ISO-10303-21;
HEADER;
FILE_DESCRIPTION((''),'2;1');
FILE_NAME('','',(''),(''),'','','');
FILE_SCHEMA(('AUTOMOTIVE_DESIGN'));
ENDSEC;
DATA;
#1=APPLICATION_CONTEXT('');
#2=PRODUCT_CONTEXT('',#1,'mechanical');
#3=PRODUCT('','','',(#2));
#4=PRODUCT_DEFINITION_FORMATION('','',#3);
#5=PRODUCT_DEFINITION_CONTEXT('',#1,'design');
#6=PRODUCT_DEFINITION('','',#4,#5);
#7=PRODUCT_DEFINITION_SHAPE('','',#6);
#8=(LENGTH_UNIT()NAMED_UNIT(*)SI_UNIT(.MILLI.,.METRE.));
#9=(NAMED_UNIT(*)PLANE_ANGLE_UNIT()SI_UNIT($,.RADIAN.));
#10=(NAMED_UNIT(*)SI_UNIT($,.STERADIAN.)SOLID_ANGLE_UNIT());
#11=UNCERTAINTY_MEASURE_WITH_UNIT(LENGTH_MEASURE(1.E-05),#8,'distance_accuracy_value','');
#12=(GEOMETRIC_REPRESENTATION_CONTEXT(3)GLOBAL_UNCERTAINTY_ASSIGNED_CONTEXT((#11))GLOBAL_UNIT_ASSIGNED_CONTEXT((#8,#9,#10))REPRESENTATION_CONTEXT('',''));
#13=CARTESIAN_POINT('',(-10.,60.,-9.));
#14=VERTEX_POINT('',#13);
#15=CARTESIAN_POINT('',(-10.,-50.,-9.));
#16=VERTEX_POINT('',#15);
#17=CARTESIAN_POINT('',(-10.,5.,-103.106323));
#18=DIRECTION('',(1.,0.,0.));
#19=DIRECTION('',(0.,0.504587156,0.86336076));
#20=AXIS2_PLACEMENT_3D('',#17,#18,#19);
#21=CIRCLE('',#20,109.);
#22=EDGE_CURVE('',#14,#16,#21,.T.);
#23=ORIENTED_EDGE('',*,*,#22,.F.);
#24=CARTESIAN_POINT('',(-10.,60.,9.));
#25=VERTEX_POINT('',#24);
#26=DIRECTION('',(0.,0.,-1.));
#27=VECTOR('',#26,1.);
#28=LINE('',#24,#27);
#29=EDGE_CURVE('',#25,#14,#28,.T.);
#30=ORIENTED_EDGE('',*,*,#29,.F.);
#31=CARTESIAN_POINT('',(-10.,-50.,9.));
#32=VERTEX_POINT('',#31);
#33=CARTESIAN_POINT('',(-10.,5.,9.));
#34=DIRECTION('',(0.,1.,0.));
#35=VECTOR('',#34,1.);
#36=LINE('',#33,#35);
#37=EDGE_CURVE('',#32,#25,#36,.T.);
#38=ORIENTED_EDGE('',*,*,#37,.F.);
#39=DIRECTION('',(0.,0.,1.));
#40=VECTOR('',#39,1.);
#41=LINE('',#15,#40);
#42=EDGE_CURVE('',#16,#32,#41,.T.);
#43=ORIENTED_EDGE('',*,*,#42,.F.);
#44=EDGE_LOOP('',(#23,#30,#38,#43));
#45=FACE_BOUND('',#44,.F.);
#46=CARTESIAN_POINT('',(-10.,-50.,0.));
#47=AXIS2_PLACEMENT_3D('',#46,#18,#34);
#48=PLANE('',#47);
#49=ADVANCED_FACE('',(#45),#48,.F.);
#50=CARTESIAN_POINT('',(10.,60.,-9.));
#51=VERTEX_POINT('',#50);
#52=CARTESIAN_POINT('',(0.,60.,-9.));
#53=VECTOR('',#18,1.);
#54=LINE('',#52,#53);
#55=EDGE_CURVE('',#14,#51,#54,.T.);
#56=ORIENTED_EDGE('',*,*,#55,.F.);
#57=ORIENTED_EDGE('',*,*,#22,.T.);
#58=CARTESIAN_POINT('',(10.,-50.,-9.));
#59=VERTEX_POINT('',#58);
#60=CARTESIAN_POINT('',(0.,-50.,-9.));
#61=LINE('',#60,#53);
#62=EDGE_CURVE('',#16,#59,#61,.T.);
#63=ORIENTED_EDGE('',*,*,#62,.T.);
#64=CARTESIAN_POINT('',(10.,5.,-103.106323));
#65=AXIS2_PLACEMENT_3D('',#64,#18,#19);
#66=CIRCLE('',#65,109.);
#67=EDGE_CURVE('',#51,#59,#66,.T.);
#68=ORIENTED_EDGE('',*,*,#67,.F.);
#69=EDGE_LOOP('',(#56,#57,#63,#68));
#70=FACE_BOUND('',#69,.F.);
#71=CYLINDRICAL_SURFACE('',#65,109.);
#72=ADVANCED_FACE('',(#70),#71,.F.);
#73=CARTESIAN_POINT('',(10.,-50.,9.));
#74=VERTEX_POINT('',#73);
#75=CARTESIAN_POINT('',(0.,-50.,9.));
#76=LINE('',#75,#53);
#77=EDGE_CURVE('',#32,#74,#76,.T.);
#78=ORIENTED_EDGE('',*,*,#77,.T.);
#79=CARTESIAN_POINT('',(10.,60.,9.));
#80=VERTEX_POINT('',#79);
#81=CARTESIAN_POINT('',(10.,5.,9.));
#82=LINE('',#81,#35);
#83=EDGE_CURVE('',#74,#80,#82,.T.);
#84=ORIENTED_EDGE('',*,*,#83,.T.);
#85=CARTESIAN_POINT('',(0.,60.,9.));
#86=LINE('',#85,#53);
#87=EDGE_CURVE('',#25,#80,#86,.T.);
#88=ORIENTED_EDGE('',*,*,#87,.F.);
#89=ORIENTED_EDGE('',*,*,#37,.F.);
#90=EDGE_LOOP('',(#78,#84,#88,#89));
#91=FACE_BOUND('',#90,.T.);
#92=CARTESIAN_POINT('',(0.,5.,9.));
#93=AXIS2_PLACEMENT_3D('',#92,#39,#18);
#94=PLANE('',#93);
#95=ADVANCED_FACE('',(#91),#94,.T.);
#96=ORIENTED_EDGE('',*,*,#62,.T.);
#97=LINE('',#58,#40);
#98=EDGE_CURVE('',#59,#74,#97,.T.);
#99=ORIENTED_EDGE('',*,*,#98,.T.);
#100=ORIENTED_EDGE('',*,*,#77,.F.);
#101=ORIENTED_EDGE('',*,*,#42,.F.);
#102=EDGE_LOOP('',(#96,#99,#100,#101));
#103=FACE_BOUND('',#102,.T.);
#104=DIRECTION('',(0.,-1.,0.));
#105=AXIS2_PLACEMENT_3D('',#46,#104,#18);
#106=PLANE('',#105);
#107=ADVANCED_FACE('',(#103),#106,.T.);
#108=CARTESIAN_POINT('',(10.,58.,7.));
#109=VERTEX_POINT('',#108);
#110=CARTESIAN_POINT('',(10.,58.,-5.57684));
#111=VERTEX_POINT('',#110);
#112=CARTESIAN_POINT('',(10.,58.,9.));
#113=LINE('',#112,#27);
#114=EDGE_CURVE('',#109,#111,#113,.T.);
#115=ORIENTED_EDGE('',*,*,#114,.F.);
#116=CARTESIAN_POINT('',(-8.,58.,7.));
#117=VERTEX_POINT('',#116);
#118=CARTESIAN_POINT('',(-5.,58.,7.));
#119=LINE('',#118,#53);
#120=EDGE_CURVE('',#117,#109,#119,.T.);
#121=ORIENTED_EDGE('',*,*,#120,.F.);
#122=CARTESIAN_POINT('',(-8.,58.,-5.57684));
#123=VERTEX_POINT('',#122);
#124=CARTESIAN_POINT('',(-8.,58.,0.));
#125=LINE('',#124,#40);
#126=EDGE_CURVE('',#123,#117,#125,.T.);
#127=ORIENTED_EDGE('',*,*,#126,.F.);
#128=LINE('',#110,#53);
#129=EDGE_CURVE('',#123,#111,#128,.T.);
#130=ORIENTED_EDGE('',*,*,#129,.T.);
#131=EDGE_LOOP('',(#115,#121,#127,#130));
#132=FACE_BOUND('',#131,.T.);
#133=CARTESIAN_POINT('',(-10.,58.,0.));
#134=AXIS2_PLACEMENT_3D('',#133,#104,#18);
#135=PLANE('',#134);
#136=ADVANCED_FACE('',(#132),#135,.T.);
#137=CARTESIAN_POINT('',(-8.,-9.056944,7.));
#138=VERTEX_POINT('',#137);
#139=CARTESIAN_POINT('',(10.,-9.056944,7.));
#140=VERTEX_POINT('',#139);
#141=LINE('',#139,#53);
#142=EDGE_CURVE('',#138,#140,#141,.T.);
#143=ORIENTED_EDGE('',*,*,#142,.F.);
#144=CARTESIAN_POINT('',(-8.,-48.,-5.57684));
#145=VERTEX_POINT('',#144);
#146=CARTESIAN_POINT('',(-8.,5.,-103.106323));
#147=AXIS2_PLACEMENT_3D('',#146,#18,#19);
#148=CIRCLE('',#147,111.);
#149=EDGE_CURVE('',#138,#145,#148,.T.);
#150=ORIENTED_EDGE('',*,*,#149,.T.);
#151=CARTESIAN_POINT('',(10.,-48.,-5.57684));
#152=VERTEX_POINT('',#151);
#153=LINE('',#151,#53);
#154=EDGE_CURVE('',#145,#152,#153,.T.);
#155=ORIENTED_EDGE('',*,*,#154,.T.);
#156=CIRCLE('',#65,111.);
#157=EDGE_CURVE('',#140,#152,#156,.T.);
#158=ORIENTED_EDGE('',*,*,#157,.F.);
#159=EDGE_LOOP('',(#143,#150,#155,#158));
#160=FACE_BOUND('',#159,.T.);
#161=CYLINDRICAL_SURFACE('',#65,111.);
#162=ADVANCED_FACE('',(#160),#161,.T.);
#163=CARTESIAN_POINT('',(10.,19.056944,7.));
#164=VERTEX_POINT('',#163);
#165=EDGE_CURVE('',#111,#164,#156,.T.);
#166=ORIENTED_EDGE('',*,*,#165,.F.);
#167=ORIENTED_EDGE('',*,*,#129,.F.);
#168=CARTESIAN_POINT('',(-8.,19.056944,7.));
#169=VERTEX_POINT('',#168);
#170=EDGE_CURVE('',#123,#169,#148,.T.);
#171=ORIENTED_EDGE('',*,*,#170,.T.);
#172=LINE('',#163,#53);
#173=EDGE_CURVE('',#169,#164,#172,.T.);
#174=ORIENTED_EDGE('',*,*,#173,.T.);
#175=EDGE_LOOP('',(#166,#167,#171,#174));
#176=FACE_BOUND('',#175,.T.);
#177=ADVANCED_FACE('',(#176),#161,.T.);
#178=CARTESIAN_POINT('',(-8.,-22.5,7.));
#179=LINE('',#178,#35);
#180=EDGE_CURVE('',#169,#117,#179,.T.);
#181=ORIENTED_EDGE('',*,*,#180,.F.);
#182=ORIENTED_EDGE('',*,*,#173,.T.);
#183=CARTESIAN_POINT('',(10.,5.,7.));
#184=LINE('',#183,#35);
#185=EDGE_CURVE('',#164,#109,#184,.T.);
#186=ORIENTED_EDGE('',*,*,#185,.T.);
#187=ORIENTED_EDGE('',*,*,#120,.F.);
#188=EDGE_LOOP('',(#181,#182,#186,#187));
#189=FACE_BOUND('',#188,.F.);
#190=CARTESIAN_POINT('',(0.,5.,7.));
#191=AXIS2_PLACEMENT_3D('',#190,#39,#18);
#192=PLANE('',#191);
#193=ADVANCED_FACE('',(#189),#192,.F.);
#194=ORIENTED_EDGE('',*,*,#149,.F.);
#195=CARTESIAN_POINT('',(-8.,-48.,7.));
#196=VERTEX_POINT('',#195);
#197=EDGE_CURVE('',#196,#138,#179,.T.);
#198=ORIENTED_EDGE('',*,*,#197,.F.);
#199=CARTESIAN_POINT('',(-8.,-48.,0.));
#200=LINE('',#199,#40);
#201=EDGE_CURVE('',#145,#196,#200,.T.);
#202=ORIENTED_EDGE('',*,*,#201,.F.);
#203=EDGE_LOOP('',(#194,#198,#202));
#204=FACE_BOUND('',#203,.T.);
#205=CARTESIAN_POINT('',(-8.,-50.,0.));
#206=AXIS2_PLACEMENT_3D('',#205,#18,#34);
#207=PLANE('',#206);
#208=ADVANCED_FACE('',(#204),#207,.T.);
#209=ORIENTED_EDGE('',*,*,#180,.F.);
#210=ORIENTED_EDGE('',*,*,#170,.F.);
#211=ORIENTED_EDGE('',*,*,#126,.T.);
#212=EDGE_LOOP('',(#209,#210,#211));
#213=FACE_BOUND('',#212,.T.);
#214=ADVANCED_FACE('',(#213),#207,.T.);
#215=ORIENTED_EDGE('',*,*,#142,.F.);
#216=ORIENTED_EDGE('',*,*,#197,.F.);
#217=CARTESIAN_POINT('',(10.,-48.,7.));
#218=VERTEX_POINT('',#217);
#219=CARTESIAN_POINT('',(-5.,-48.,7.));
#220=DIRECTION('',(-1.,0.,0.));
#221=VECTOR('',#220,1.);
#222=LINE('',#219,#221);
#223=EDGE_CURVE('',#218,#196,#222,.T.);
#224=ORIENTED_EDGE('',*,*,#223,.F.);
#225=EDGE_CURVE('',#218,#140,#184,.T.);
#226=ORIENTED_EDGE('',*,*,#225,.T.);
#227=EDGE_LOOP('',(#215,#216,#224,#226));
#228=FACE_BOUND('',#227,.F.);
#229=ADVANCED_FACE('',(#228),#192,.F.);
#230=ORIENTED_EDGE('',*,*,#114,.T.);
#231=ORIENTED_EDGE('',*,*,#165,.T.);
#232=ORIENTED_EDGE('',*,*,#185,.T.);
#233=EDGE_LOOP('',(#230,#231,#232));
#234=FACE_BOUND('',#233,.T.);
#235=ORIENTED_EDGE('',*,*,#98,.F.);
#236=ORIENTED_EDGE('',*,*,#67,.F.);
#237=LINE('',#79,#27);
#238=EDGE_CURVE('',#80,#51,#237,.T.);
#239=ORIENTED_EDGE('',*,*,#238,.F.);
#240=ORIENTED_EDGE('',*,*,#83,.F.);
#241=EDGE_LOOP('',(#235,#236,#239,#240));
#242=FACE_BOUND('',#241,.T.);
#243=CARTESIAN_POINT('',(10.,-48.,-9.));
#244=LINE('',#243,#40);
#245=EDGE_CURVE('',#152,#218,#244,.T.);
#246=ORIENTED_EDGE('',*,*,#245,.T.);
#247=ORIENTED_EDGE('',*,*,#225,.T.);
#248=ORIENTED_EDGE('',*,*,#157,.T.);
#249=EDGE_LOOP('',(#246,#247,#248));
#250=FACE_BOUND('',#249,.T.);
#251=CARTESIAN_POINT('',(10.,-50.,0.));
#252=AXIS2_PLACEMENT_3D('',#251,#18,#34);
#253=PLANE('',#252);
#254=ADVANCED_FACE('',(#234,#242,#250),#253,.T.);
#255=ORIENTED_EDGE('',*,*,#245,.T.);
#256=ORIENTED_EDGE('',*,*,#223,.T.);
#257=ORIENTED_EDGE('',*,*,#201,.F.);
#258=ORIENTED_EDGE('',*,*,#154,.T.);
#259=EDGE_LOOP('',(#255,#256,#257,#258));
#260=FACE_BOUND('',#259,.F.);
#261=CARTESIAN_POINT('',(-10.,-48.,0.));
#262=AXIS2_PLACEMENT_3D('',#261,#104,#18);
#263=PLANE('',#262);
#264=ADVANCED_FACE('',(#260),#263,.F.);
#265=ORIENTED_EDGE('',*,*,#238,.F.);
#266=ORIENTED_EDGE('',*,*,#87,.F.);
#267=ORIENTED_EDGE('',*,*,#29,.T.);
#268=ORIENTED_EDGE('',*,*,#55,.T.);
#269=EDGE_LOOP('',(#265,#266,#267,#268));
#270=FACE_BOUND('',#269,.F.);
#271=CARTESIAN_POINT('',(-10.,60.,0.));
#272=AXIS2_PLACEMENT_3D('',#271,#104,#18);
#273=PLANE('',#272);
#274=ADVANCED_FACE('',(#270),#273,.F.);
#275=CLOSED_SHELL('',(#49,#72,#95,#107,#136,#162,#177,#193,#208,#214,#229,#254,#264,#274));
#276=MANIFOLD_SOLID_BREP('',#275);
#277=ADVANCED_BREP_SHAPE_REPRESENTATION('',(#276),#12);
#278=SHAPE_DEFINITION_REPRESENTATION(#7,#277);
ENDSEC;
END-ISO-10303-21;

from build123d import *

# Parameters (mm, degrees)
F0_W     = 20
F0_H     = 110
F1_DEPTH = 9
F3_DEPTH = 20
F4_T     = -2


with BuildPart() as f1:
    # F0 (on Top) → F1 (new body, symmetric)
    with BuildSketch(Plane.XY):
        with Locations((0, 5)):
            Rectangle(F0_W, F0_H)
    extrude(amount=F1_DEPTH, both=True)

    # F2 (on face) → F3 (cut)
    with BuildSketch(Plane.YZ.offset(10)):
        with BuildLine():
            ThreePointArc((-50, -9), (-49.2494239601, -197.6473192465), (114, -103.1063228481))
            ThreePointArc((114, -103.1063228481), (99.5409963984, -48.8568988881), (60, -9))
            Line((60, -9), (-50, -9))
        make_face()
        with BuildLine():
            Line((-50, -9), (60, -9))
            ThreePointArc((60, -9), (5, 5.8936771519), (-50, -9))
        make_face()
    extrude(amount=-F3_DEPTH, mode=Mode.SUBTRACT)

    # F4
    f4_openings = [f1.faces().sort_by_distance(p)[0] for p in [
        (10, -48.88537, 0),
    ]]
    offset(amount=F4_T, openings=f4_openings)


solid = f1.part
